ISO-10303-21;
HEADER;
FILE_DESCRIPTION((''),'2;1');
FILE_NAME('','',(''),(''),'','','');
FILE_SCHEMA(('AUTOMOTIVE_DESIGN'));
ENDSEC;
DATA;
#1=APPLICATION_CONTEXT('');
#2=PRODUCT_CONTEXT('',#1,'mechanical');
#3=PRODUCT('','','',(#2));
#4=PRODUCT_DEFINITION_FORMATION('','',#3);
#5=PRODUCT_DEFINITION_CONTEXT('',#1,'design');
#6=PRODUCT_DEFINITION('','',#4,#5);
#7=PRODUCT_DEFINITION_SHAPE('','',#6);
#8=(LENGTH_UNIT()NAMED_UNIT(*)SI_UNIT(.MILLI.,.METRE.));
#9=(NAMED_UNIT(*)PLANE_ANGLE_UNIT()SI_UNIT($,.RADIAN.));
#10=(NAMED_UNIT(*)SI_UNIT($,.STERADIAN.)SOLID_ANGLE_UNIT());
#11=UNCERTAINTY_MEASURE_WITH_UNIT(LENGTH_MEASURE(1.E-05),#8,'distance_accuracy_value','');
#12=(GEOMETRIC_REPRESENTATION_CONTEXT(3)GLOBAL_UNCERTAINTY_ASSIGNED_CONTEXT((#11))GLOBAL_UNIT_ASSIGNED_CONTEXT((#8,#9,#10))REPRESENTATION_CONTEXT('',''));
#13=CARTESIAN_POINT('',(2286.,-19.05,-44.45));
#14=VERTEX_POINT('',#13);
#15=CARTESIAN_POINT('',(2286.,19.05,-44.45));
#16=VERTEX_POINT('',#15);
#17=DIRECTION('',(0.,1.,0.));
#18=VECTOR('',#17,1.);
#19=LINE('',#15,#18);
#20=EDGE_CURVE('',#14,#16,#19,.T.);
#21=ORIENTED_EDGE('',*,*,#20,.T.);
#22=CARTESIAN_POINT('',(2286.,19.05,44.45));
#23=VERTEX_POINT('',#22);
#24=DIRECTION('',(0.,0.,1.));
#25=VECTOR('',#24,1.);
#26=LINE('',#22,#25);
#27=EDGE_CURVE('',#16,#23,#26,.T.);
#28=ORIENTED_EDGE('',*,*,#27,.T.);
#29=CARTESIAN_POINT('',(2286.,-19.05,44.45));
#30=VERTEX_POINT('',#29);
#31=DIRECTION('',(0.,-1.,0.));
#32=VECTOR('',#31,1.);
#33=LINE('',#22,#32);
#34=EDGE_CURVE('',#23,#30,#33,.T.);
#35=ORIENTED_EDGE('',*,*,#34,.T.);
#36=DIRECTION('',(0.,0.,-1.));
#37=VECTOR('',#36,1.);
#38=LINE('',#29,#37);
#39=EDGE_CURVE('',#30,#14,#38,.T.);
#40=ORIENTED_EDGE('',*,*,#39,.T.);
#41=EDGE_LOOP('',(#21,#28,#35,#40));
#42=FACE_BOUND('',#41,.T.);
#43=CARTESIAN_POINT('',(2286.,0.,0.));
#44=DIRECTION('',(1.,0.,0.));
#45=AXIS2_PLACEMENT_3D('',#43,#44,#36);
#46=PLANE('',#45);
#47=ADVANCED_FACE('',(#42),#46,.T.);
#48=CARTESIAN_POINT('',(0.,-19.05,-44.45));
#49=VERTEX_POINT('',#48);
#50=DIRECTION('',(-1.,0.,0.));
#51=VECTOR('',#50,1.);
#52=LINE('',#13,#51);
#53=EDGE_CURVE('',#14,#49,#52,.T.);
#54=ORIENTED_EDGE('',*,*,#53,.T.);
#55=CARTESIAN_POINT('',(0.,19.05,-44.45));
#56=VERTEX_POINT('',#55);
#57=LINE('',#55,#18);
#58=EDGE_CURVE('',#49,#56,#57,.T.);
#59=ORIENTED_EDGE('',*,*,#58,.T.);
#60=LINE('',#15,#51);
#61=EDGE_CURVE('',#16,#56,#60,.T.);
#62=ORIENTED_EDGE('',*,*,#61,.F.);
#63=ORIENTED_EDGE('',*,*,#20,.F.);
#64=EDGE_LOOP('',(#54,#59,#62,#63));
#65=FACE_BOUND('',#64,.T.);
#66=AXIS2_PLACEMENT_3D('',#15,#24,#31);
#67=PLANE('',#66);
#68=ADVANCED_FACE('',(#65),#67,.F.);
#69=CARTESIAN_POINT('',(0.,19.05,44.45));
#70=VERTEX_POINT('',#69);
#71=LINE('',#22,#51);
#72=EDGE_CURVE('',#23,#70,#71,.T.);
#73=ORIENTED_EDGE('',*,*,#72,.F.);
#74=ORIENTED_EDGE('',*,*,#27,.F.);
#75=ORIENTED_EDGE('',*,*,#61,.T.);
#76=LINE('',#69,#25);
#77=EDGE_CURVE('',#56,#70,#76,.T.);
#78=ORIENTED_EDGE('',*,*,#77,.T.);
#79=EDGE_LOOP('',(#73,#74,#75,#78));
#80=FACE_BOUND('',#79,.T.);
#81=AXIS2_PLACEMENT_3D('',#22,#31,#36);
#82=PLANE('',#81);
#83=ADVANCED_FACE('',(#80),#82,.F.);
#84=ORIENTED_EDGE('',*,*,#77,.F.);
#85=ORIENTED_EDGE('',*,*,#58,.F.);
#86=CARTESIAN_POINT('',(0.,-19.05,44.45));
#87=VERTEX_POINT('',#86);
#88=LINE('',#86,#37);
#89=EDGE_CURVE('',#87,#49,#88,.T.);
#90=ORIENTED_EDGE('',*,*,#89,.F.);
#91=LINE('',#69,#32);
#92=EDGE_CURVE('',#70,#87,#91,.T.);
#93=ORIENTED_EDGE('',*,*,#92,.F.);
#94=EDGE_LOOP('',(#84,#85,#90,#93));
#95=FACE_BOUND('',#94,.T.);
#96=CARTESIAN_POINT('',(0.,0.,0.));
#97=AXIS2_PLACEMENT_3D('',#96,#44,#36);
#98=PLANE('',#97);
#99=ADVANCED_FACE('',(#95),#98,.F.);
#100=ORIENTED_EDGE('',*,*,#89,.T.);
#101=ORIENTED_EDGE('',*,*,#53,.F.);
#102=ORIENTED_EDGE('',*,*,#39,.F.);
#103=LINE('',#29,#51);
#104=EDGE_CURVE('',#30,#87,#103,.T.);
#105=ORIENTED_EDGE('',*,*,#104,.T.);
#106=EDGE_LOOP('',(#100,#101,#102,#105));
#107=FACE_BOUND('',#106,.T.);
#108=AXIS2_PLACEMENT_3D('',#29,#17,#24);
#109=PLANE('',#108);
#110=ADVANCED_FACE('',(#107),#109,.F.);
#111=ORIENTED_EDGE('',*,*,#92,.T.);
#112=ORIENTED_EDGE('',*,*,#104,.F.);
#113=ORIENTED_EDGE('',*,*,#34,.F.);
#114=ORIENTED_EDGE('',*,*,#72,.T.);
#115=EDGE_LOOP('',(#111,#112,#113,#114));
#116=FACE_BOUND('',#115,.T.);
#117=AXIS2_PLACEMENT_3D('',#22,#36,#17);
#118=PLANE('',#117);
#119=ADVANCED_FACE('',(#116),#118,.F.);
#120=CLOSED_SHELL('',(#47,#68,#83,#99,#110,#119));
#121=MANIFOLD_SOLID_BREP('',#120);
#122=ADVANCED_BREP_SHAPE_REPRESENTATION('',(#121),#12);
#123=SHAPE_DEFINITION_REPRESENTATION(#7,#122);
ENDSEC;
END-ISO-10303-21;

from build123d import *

# Parameters (mm, degrees)
SKETCH2_W           = 88.9
SKETCH2_H           = 38.1
BOSS_EXTRUDE1_DEPTH = 2286


with BuildPart() as part:
    # Sketch2 → Boss-Extrude1 (new body)
    with BuildSketch(Plane(origin=(0, 0, 0), x_dir=(0, 0, -1), z_dir=(1, 0, 0))):
        Rectangle(SKETCH2_W, SKETCH2_H)
    extrude(amount=BOSS_EXTRUDE1_DEPTH)


solid = part.part
